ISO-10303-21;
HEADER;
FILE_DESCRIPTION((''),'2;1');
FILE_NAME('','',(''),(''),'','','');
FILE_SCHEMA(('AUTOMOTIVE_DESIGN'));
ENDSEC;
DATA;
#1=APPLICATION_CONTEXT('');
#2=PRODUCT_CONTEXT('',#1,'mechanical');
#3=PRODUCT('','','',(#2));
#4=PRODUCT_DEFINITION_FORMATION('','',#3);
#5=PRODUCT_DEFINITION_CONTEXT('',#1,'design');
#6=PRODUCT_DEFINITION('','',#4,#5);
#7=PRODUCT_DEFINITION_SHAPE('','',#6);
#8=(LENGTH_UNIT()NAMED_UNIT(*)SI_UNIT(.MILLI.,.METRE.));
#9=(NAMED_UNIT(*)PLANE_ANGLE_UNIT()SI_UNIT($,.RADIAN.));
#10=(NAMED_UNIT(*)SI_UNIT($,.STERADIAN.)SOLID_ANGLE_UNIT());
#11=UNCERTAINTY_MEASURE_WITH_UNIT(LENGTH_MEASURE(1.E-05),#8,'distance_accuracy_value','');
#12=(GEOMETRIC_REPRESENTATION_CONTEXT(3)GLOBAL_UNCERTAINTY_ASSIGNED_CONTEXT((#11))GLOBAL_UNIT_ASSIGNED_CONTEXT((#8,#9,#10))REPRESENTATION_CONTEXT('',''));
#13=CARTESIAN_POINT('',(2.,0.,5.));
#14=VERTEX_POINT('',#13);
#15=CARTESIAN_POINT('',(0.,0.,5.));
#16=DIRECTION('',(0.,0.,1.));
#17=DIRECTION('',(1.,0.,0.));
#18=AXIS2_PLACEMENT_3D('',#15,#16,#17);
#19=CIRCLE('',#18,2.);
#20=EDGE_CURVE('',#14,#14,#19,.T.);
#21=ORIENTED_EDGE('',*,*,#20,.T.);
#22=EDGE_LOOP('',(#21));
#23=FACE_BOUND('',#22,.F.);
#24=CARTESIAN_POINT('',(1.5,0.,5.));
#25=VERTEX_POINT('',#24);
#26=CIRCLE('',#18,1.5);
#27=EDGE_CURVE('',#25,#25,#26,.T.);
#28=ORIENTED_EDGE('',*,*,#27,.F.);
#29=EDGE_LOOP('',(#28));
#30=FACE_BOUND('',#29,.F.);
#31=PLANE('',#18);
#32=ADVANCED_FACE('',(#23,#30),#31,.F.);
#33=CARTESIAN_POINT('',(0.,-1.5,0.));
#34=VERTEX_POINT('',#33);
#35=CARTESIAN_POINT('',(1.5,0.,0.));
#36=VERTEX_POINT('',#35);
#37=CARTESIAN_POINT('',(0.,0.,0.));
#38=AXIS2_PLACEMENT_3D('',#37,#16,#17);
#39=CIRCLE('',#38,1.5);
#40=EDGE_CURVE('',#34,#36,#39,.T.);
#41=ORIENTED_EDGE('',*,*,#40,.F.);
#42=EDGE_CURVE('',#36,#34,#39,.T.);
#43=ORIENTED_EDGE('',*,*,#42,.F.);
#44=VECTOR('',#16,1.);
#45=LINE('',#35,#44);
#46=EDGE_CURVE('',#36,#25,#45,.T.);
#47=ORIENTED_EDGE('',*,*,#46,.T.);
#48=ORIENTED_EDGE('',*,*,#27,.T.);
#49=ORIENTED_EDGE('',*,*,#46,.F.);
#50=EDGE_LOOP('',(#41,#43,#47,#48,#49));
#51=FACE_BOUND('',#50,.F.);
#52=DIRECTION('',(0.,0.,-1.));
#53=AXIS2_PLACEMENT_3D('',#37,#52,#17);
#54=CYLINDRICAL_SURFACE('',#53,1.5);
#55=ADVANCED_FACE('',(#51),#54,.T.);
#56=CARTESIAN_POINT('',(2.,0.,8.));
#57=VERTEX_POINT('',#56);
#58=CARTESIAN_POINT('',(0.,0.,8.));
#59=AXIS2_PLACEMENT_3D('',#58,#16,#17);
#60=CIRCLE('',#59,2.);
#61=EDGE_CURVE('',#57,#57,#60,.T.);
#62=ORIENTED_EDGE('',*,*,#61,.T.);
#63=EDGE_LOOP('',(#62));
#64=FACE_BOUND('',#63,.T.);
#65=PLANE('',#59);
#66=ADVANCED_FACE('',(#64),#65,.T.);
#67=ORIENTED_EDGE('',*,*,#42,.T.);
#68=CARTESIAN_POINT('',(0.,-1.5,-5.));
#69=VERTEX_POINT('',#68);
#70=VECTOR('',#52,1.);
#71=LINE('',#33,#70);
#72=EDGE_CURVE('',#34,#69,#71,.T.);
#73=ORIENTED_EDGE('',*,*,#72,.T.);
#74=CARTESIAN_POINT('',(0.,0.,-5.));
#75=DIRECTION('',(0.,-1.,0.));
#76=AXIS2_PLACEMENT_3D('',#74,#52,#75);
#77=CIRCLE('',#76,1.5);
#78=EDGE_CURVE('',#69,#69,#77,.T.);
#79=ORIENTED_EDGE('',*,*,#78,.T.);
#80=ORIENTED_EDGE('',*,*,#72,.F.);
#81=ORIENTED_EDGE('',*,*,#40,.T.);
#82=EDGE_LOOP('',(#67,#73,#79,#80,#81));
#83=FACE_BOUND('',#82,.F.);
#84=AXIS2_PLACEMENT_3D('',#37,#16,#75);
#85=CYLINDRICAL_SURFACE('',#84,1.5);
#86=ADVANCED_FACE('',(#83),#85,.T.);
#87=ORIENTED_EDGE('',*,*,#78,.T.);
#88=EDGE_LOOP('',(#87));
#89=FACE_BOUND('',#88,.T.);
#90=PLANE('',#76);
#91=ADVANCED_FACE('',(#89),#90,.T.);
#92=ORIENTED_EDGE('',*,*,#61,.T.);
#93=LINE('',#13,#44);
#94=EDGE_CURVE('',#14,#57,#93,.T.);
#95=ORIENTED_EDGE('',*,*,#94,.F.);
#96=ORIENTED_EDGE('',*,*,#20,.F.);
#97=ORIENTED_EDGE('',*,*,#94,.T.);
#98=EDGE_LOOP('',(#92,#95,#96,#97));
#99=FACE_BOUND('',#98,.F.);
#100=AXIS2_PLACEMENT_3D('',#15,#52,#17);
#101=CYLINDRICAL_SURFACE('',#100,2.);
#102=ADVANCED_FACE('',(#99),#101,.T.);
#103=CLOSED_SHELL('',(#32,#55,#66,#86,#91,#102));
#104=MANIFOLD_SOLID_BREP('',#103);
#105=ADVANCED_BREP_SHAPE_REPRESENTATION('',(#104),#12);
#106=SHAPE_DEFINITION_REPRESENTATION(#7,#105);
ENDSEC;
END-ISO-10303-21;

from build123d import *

# Parameters (mm, degrees)
SKETCH_R       = 1.5
PAD_DEPTH      = 5
SKETCH001_R    = 2
PAD001_DEPTH   = 3
PAD001_FACE5_R = 1.5
PAD002_DEPTH   = 5


with BuildPart() as part:
    # Sketch → Pad (new body)
    with BuildSketch(Plane.XY):
        Circle(SKETCH_R)
    extrude(amount=PAD_DEPTH)

    # Sketch001 (on Face3 of Pad) → Pad001 (join)
    with BuildSketch(Plane.XY.offset(5)):
        Circle(SKETCH001_R)
    extrude(amount=PAD001_DEPTH)

    # Pad001 Face5 → Pad002 (add)
    with BuildSketch(Plane(origin=(0, 0, 0), x_dir=(0, -1, 0), z_dir=(0, 0, -1))):
        Circle(PAD001_FACE5_R)
    extrude(amount=PAD002_DEPTH)


solid = part.part
